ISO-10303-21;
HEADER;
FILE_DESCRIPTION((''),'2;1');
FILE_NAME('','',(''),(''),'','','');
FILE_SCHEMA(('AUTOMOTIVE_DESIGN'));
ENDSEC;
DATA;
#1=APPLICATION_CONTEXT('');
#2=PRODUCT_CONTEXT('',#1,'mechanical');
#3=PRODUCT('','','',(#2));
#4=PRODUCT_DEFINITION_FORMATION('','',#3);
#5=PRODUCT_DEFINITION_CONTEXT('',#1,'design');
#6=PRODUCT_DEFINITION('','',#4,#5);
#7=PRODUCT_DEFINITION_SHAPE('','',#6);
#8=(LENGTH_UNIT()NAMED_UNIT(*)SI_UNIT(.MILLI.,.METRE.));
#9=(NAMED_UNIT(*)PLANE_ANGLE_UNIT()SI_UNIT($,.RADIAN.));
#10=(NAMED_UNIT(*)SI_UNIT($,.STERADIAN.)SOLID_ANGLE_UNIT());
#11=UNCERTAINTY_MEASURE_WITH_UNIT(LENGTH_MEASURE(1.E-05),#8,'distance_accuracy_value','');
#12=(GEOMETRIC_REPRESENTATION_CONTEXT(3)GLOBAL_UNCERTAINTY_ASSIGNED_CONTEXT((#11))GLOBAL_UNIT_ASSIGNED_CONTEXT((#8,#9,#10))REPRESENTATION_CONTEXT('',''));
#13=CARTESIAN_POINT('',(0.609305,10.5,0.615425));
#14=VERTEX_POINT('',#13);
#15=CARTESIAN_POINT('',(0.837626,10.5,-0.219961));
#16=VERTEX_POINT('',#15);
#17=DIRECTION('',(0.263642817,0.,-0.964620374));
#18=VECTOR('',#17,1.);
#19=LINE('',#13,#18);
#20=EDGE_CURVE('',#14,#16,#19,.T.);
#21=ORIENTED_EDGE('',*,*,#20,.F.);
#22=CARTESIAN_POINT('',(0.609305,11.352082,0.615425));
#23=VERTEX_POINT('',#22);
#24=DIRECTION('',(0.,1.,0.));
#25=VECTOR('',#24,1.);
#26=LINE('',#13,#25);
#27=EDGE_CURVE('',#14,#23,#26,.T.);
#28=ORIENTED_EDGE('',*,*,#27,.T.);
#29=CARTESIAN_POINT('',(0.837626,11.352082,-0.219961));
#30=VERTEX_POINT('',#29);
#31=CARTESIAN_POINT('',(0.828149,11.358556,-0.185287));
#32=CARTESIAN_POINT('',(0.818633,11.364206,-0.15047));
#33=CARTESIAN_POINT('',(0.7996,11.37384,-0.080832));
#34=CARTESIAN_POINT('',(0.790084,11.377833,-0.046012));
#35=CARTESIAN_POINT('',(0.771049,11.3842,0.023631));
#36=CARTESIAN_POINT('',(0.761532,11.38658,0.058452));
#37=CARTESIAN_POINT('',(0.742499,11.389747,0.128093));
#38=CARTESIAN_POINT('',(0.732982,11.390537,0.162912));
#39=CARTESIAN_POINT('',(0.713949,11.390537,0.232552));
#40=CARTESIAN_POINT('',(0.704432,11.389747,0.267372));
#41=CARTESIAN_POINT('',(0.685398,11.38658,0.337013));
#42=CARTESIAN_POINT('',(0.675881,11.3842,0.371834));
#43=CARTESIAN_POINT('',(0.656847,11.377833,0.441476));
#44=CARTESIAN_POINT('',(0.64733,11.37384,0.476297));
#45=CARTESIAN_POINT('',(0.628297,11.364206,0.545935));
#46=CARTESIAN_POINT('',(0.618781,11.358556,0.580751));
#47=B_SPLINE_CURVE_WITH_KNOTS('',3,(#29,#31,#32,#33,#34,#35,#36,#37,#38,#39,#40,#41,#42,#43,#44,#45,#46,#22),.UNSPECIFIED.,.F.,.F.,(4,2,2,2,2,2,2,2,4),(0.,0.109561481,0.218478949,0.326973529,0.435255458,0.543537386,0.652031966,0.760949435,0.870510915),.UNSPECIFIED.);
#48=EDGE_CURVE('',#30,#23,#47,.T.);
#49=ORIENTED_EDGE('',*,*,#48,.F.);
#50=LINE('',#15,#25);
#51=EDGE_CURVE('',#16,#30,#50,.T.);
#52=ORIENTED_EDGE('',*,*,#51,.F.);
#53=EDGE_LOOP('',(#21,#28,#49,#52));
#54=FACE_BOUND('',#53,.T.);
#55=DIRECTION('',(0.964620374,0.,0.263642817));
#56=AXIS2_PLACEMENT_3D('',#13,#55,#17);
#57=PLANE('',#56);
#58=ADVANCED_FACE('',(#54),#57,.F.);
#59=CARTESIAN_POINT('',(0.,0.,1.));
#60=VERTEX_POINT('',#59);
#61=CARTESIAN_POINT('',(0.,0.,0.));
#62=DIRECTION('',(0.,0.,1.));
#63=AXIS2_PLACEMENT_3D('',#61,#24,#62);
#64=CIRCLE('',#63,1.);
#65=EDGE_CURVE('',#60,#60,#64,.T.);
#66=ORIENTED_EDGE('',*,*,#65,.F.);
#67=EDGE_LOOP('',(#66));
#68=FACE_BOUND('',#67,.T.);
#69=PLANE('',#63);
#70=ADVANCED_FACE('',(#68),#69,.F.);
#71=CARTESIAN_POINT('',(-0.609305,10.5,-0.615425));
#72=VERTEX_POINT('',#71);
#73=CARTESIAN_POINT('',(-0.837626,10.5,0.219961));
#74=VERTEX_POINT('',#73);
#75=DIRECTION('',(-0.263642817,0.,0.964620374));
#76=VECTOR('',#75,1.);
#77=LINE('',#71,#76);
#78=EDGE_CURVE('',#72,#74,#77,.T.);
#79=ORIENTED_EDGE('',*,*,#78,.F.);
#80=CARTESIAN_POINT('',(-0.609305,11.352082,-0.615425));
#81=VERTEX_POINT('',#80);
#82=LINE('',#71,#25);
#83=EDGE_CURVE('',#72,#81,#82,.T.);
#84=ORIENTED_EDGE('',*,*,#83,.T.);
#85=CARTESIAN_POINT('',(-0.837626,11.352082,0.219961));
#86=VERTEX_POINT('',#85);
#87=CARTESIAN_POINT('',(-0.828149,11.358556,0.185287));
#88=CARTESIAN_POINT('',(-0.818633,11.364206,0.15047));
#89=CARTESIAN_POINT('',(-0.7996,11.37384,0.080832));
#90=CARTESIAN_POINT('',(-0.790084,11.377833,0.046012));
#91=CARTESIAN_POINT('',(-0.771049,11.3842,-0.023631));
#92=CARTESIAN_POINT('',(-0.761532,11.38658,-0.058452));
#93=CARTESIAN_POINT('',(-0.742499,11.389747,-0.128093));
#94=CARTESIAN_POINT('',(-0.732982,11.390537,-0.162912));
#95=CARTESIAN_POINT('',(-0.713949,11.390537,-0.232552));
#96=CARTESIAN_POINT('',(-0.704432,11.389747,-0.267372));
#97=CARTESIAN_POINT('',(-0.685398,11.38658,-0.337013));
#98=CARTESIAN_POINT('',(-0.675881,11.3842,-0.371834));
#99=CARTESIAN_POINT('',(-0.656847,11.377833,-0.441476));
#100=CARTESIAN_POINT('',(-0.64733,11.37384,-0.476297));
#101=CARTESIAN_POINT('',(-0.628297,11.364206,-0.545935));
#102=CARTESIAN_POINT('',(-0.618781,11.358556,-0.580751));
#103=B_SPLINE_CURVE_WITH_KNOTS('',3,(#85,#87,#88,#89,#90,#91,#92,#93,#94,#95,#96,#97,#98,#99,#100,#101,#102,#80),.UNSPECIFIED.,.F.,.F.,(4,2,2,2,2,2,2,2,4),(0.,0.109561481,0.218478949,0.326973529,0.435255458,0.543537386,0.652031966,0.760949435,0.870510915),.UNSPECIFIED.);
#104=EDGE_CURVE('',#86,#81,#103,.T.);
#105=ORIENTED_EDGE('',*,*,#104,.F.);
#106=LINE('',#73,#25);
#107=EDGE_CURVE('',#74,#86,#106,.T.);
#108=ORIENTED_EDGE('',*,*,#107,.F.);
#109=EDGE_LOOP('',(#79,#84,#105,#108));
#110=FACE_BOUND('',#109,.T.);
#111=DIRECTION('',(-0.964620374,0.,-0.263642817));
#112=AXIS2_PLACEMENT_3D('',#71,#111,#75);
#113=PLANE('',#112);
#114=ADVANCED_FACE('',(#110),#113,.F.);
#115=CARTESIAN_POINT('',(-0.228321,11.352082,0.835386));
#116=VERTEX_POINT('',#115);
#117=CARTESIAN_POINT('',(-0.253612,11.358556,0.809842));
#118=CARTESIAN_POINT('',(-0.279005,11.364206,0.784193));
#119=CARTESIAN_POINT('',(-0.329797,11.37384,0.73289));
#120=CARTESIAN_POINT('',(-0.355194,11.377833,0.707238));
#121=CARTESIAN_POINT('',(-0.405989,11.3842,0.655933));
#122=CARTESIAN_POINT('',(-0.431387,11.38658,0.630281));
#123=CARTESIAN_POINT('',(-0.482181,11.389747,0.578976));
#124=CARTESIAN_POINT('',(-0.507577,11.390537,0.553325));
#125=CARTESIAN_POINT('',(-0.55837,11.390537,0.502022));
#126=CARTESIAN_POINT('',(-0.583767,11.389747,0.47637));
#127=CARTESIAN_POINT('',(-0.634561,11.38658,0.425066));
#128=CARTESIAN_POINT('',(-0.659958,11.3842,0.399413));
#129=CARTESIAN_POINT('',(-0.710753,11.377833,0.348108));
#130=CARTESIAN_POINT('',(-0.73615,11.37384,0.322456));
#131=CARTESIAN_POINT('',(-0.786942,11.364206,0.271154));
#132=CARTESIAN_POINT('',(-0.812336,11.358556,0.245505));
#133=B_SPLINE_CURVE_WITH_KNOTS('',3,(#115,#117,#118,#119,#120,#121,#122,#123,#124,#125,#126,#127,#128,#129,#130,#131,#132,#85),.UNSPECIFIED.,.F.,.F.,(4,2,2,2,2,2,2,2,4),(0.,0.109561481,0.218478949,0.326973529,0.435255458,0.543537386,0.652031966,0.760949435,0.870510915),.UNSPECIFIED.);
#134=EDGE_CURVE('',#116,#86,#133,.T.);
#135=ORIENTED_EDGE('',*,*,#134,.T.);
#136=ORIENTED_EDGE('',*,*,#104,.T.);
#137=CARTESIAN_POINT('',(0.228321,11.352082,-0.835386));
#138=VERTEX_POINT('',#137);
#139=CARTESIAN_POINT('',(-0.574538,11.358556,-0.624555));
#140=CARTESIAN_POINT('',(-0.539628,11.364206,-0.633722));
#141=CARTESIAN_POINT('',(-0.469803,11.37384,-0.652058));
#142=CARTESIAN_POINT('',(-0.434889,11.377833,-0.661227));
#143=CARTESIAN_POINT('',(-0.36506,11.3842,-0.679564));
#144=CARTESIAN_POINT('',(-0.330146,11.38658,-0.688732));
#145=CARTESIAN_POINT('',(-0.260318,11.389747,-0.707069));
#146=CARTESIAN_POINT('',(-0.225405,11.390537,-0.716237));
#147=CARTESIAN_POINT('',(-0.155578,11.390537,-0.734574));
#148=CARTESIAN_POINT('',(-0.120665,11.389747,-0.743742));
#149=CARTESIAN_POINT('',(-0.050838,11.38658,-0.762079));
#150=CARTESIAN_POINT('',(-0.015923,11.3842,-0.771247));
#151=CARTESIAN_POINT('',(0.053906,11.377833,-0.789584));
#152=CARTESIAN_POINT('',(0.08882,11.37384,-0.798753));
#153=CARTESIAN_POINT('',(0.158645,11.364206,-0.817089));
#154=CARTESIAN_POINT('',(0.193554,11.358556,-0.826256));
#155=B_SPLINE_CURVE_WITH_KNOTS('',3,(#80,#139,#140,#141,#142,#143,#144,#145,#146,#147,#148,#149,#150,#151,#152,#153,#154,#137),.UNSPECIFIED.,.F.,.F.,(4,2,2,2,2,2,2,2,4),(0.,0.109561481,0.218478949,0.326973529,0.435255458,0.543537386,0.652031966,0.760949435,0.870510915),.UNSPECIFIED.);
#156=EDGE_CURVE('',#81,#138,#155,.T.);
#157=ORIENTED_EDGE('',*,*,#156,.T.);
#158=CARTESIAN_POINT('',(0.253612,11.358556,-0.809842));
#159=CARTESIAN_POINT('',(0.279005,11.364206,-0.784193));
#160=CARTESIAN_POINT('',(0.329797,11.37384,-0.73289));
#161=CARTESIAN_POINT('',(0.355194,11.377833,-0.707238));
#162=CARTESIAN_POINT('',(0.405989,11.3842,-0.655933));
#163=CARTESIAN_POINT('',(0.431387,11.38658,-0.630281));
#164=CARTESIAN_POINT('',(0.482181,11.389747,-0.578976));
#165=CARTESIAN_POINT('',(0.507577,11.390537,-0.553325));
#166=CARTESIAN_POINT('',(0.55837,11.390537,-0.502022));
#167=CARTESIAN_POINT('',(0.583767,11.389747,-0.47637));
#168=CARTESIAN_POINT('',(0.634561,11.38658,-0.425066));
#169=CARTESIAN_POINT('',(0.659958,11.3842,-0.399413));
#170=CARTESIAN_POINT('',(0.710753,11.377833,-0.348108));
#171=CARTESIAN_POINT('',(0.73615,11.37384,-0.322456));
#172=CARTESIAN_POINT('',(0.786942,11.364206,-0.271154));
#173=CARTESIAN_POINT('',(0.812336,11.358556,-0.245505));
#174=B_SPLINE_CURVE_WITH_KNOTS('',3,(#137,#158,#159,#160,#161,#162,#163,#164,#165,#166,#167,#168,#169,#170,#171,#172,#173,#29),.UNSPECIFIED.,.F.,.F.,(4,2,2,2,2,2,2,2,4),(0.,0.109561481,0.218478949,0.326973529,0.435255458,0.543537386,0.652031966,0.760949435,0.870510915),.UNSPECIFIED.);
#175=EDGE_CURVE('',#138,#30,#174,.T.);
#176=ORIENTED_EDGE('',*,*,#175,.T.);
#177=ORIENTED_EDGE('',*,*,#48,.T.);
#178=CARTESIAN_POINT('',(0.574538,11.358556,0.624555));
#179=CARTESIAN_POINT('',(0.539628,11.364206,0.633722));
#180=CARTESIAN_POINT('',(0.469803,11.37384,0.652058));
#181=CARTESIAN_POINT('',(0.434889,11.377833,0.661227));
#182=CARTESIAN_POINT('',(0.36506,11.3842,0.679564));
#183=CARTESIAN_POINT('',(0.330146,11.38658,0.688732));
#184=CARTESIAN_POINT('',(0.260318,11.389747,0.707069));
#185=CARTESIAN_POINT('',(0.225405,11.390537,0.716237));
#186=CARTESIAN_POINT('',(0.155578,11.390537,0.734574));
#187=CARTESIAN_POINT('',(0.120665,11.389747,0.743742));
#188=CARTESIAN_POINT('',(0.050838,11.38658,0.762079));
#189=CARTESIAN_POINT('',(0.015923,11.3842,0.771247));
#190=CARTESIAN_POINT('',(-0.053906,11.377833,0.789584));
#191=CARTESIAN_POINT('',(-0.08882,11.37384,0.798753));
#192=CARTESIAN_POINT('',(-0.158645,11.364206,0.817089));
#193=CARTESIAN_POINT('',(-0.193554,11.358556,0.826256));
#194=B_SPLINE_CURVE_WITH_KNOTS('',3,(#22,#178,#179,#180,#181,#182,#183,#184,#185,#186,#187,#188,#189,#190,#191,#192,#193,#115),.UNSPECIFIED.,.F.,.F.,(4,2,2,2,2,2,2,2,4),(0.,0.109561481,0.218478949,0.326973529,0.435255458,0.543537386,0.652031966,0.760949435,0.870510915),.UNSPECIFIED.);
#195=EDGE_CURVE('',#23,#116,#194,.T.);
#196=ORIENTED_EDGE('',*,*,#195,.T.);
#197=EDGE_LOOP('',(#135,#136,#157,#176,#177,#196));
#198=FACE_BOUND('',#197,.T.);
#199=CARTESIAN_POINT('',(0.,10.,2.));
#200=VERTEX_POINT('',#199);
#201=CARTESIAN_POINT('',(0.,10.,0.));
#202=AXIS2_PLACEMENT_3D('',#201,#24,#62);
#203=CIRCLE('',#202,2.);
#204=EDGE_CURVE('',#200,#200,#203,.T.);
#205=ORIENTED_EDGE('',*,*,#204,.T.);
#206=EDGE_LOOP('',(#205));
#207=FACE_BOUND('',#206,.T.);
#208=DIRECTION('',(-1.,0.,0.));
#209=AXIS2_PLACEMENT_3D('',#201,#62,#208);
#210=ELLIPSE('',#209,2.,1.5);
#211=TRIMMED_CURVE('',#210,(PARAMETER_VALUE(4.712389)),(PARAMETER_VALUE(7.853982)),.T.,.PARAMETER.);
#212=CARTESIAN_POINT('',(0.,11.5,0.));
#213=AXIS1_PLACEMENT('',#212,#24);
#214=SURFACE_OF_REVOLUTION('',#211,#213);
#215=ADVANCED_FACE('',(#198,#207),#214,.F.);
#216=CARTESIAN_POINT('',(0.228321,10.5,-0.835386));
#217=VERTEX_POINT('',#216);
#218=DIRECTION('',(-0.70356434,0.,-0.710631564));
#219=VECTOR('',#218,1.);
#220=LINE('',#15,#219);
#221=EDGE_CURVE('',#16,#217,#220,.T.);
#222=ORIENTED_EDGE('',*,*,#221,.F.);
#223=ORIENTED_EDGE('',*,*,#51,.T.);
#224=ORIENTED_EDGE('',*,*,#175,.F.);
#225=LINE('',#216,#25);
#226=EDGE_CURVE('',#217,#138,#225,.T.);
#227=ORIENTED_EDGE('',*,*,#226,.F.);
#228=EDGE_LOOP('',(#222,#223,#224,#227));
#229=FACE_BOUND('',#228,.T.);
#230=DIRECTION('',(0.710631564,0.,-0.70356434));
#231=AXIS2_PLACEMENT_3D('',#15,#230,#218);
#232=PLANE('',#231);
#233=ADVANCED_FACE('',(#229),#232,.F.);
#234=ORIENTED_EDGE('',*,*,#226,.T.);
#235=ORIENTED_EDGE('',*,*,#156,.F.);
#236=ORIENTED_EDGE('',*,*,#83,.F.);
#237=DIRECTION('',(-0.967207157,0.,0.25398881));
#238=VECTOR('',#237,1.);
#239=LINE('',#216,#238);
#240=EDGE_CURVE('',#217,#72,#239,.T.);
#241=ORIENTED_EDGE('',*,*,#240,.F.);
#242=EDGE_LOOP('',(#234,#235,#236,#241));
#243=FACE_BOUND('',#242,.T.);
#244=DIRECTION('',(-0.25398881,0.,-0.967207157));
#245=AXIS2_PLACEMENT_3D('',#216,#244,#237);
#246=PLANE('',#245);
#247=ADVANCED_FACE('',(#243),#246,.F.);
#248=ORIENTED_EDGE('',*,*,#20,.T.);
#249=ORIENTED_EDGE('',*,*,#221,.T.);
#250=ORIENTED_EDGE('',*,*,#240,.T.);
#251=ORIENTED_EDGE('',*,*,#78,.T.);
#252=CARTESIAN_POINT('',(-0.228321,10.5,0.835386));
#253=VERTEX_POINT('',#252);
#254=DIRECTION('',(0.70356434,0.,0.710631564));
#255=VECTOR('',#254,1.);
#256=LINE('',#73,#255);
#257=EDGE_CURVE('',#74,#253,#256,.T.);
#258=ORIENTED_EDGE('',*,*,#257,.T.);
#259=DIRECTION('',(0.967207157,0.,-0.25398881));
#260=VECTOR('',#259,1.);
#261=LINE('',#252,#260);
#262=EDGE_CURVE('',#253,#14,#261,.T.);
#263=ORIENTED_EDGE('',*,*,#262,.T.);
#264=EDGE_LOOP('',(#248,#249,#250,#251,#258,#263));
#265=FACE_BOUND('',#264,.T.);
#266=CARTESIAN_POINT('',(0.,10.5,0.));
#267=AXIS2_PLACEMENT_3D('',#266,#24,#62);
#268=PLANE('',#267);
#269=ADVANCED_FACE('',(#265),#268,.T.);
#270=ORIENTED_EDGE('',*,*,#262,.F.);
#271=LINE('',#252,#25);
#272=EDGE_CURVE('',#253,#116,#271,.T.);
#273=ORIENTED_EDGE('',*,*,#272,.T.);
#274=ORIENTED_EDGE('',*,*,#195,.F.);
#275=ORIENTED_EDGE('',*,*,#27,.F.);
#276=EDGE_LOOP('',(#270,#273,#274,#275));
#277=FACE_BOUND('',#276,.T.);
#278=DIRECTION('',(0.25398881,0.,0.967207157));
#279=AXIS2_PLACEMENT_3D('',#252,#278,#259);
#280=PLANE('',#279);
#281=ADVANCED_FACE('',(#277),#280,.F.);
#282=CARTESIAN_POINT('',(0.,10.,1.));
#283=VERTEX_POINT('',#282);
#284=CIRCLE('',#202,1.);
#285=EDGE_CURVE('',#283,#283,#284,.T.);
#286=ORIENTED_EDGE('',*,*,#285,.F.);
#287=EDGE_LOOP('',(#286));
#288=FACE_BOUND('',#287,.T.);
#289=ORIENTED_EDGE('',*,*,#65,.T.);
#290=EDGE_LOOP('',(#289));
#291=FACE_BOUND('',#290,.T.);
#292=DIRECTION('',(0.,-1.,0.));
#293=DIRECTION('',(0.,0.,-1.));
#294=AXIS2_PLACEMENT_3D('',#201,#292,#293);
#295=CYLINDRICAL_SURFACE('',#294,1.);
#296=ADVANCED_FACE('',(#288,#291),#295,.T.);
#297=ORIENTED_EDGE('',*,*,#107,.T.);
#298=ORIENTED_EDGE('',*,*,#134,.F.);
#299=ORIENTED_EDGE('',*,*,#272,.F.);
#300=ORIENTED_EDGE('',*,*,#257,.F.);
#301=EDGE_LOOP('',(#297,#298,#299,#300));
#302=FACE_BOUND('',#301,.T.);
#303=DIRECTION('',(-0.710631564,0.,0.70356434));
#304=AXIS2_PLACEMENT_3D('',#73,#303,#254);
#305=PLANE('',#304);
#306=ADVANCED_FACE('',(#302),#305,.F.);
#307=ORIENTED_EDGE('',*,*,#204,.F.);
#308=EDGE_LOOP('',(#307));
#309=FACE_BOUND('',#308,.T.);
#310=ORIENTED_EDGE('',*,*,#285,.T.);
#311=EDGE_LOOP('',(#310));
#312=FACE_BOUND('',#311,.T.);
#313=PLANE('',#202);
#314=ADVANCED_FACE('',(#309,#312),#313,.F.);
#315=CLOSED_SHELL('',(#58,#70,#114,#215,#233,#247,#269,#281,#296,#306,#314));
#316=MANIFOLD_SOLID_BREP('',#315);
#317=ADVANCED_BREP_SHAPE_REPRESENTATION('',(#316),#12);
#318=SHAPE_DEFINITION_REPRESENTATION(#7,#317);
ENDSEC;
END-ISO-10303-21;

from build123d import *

# Parameters (mm, degrees)
SKETCH_1_R          = 1
EXTRUDE_1_DEPTH     = 10
SKETCH_2_R          = 2
EXTRUDE_2_DEPTH     = 1.5
CUT_EXTRUDE_1_DEPTH = 1


with BuildPart() as part:
    # 草图1 → 凸台-拉伸1 (new body)
    with BuildSketch(Plane(origin=(0, 0, 0), x_dir=(1, 0, 0), z_dir=(0, 1, 0))):
        Circle(SKETCH_1_R)
    extrude(amount=EXTRUDE_1_DEPTH)

    # 草图2 → 凸台-拉伸2 (add)
    with BuildSketch(Plane(origin=(0, 10, 0), x_dir=(1, 0, 0), z_dir=(0, 1, 0))):
        Circle(SKETCH_2_R)
    extrude(amount=EXTRUDE_2_DEPTH)

    # 草图3 → 切除-拉伸1 (cut)
    with BuildSketch(Plane(origin=(0, 11.5, 0), x_dir=(1, 0, 0), z_dir=(0, 1, 0))):
        Polygon((0.609304592, -0.615424987), (0.837625969, 0.219960762), (0.228321377, 0.835385749), (-0.609304592, 0.615424987), (-0.837625969, -0.219960762), (-0.228321377, -0.835385749), align=None)
    extrude(amount=-CUT_EXTRUDE_1_DEPTH, mode=Mode.SUBTRACT)

    # 草图5 → 切除-旋转4 (revolve, cut)
    with BuildSketch(Plane.XY):
        with BuildLine():
            add(Edge.make_bspline(
                [(-0.5, 11.452368755), (-2, 11.161895004), (-2, 10)],
                knots=[4.965069236, 4.965069236, 4.965069236, 6.283185307, 6.283185307, 6.283185307], degree=2, weights=[1, 0.790569415, 1]))
            Line((-2, 10), (-2, 11.5))
            Line((-2, 11.5), (-0.5, 11.5))
            Line((-0.5, 11.5), (-0.5, 11.452368755))
        make_face()
    revolve(axis=Axis((0, 11.5, 0), (0, -1, 0)), mode=Mode.SUBTRACT)


solid = part.part
